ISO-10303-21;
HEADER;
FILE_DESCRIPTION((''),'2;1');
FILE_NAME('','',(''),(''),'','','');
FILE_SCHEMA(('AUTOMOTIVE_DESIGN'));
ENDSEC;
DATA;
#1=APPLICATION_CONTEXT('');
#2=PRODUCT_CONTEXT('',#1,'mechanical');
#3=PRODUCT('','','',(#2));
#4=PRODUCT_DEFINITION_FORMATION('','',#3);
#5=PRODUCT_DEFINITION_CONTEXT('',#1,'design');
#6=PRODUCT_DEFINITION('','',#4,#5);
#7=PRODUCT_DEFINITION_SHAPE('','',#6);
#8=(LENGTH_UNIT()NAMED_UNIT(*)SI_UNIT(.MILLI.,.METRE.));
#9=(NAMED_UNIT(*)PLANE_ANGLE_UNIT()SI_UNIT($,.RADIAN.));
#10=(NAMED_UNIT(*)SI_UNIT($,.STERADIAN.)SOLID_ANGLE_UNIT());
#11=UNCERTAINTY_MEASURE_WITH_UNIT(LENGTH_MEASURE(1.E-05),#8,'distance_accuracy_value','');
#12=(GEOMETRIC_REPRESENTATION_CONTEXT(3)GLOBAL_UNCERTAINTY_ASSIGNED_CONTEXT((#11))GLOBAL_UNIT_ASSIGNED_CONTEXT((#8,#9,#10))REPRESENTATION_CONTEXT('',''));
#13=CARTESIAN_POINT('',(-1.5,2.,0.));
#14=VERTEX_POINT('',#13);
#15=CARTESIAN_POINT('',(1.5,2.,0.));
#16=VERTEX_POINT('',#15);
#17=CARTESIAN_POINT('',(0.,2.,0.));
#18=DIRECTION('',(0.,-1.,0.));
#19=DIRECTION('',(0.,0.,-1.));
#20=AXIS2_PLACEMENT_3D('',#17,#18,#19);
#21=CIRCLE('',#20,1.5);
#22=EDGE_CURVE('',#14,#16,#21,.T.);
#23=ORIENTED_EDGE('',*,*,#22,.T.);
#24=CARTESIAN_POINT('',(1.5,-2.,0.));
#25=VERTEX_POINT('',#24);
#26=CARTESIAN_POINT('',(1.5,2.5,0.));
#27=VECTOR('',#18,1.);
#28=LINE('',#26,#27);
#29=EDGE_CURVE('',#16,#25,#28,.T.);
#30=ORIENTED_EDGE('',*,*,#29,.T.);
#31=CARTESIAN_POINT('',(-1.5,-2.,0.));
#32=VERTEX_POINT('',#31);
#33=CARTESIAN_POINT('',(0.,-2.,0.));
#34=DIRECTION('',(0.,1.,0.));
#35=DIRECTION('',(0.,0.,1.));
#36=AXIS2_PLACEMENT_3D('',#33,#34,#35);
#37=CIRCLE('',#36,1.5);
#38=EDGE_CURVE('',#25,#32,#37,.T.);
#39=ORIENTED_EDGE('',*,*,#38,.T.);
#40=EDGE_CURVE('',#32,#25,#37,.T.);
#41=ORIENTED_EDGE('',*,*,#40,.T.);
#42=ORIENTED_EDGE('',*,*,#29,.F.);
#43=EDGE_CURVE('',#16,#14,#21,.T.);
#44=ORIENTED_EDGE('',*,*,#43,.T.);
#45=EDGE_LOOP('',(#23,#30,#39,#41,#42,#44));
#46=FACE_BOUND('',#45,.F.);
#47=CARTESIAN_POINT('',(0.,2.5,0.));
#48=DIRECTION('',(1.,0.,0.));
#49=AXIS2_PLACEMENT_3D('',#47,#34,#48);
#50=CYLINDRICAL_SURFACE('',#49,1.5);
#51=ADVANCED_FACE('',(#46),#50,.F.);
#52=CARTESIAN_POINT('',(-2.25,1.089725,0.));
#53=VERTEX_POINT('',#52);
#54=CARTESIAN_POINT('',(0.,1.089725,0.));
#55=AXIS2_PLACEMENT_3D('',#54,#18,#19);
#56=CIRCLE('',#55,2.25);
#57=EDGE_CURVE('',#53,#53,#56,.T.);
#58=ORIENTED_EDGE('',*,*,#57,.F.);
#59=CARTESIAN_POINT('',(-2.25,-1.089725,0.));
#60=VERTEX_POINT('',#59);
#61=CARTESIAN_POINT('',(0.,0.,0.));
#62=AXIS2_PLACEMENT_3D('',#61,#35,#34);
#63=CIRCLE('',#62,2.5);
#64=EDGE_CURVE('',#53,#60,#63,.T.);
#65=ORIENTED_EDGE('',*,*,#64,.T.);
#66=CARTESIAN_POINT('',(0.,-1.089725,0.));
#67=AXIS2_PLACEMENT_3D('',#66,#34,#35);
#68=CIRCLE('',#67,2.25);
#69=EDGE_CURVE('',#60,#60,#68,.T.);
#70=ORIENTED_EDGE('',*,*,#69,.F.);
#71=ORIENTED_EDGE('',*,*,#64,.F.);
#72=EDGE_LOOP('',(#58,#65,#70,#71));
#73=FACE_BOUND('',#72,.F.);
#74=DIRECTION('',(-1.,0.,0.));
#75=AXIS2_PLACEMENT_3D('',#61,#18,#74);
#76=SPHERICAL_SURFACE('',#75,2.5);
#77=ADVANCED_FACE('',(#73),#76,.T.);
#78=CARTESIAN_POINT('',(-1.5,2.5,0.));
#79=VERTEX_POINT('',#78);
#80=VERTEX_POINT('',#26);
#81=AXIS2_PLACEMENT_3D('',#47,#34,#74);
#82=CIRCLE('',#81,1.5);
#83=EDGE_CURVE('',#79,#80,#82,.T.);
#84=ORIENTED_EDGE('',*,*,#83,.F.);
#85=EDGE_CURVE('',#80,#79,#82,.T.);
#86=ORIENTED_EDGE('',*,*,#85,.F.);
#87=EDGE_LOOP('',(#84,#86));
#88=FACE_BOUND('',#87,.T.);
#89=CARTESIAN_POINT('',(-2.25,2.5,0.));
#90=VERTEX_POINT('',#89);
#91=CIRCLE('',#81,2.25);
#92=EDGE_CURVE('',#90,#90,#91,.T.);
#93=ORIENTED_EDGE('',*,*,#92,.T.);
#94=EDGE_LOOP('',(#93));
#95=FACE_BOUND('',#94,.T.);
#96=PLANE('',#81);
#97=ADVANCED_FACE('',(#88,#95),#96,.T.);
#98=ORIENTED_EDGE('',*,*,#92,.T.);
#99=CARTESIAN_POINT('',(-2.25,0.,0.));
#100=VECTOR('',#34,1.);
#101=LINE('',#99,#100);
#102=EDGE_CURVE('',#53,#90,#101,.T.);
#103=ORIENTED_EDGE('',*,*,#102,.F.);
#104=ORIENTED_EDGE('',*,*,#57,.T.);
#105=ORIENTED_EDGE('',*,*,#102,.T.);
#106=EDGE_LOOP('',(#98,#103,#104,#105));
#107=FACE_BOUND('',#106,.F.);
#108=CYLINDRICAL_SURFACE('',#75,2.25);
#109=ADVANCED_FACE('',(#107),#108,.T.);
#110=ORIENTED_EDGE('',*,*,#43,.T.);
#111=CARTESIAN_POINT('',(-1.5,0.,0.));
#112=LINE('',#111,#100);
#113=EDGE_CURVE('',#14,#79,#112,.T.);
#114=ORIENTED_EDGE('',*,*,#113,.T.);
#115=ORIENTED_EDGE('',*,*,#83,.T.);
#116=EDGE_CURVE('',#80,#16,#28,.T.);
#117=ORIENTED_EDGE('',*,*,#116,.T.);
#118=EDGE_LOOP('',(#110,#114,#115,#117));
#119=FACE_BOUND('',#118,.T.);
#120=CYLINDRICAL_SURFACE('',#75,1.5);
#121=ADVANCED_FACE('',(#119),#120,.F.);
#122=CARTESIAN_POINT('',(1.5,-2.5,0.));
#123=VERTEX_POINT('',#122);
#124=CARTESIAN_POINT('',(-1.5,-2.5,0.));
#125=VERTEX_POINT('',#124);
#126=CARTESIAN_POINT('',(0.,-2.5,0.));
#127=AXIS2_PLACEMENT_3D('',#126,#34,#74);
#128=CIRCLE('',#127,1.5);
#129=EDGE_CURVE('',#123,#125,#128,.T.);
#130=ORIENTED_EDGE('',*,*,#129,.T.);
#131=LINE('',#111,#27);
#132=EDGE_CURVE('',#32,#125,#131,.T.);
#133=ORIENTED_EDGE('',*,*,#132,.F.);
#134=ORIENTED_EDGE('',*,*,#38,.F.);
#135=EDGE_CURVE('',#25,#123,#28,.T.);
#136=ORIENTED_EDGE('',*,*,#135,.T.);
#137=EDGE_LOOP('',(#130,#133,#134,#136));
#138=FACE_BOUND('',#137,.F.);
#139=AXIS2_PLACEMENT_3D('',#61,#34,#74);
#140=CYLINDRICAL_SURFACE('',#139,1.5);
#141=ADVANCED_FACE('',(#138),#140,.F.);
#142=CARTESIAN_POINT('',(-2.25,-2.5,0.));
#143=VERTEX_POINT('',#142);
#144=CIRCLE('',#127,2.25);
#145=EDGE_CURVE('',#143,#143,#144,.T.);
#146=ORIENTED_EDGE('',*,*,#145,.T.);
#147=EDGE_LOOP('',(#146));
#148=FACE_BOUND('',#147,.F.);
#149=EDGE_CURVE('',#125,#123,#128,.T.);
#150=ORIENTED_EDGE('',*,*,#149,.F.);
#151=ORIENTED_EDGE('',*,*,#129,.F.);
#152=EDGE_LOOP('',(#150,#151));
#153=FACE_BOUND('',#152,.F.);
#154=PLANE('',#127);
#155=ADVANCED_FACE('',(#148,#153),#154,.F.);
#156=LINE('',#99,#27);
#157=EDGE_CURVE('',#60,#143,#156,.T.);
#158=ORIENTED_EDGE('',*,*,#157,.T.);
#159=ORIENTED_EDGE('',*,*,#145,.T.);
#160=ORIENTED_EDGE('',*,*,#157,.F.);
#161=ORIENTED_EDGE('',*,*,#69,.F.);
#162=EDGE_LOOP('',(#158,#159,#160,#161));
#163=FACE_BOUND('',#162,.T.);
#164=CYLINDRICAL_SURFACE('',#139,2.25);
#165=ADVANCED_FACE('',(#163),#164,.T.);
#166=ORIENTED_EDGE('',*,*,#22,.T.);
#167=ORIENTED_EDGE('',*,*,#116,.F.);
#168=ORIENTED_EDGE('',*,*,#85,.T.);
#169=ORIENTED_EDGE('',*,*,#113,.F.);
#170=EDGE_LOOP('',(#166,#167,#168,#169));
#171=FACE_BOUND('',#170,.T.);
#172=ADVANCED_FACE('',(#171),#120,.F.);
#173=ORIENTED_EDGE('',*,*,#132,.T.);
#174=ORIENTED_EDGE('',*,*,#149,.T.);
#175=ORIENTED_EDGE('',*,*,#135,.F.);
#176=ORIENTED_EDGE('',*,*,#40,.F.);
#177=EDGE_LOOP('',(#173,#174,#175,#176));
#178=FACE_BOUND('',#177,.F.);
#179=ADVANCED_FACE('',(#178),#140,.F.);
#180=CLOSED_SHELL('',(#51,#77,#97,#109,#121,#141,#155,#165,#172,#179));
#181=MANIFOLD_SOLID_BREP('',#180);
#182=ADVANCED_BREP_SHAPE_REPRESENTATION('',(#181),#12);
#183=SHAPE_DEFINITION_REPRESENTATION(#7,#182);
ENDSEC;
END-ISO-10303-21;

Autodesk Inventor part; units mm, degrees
ref_plane "YZ Plane" through (0, 0, 0) normal (1, 0, 0) x (0, 1, 0)
ref_plane "XZ Plane" through (0, 0, 0) normal (0, 1, 0) x (-1, 0, 0)
ref_plane "XY Plane" through (0, 0, 0) normal (0, 0, 1) x (1, 0, 0)
sketch "スケッチ1" plane through (0, 0, 0) normal (0, 0, 1) x (1, 0, 0)
  line L0 (0, 0) -> (0, 2.5)
  line L1 (0, 0) -> (0, -2.5)
  arc A0 (0, 2.5) -> (0, -2.5) centre (0, 0) ccw
  dimension "d0" = 2.5
  dimension "d1" = 2.5
  dimension "d2" = 2.5
revolve "回転1" add sketch "スケッチ1" angle 360 about axis through (0, 0, 0) along (0, 1, 0)
sketch "スケッチ2" plane through (0, 0, 0) normal (0, 1, 0) x (-1, 0, 0)
  circle A0 centre (0, 0) radius 1.5
  circle A1 centre (0, 0) radius 2.25
  dimension "d4" = 3
  dimension "d5" = 4.5
extrude "押し出し1" add sketch "スケッチ2" along normal mid plane 5
sketch "スケッチ3" plane through (0, 2.5, 0) normal (0, 1, 0) x (1, 0, 0)
  circle A0 centre (0, 0) radius 1.5 projected
extrude "押し出し2" cut sketch "スケッチ3" against normal through all
properties part number "タミヤダンパー8" material "アセタール樹脂、黒"
